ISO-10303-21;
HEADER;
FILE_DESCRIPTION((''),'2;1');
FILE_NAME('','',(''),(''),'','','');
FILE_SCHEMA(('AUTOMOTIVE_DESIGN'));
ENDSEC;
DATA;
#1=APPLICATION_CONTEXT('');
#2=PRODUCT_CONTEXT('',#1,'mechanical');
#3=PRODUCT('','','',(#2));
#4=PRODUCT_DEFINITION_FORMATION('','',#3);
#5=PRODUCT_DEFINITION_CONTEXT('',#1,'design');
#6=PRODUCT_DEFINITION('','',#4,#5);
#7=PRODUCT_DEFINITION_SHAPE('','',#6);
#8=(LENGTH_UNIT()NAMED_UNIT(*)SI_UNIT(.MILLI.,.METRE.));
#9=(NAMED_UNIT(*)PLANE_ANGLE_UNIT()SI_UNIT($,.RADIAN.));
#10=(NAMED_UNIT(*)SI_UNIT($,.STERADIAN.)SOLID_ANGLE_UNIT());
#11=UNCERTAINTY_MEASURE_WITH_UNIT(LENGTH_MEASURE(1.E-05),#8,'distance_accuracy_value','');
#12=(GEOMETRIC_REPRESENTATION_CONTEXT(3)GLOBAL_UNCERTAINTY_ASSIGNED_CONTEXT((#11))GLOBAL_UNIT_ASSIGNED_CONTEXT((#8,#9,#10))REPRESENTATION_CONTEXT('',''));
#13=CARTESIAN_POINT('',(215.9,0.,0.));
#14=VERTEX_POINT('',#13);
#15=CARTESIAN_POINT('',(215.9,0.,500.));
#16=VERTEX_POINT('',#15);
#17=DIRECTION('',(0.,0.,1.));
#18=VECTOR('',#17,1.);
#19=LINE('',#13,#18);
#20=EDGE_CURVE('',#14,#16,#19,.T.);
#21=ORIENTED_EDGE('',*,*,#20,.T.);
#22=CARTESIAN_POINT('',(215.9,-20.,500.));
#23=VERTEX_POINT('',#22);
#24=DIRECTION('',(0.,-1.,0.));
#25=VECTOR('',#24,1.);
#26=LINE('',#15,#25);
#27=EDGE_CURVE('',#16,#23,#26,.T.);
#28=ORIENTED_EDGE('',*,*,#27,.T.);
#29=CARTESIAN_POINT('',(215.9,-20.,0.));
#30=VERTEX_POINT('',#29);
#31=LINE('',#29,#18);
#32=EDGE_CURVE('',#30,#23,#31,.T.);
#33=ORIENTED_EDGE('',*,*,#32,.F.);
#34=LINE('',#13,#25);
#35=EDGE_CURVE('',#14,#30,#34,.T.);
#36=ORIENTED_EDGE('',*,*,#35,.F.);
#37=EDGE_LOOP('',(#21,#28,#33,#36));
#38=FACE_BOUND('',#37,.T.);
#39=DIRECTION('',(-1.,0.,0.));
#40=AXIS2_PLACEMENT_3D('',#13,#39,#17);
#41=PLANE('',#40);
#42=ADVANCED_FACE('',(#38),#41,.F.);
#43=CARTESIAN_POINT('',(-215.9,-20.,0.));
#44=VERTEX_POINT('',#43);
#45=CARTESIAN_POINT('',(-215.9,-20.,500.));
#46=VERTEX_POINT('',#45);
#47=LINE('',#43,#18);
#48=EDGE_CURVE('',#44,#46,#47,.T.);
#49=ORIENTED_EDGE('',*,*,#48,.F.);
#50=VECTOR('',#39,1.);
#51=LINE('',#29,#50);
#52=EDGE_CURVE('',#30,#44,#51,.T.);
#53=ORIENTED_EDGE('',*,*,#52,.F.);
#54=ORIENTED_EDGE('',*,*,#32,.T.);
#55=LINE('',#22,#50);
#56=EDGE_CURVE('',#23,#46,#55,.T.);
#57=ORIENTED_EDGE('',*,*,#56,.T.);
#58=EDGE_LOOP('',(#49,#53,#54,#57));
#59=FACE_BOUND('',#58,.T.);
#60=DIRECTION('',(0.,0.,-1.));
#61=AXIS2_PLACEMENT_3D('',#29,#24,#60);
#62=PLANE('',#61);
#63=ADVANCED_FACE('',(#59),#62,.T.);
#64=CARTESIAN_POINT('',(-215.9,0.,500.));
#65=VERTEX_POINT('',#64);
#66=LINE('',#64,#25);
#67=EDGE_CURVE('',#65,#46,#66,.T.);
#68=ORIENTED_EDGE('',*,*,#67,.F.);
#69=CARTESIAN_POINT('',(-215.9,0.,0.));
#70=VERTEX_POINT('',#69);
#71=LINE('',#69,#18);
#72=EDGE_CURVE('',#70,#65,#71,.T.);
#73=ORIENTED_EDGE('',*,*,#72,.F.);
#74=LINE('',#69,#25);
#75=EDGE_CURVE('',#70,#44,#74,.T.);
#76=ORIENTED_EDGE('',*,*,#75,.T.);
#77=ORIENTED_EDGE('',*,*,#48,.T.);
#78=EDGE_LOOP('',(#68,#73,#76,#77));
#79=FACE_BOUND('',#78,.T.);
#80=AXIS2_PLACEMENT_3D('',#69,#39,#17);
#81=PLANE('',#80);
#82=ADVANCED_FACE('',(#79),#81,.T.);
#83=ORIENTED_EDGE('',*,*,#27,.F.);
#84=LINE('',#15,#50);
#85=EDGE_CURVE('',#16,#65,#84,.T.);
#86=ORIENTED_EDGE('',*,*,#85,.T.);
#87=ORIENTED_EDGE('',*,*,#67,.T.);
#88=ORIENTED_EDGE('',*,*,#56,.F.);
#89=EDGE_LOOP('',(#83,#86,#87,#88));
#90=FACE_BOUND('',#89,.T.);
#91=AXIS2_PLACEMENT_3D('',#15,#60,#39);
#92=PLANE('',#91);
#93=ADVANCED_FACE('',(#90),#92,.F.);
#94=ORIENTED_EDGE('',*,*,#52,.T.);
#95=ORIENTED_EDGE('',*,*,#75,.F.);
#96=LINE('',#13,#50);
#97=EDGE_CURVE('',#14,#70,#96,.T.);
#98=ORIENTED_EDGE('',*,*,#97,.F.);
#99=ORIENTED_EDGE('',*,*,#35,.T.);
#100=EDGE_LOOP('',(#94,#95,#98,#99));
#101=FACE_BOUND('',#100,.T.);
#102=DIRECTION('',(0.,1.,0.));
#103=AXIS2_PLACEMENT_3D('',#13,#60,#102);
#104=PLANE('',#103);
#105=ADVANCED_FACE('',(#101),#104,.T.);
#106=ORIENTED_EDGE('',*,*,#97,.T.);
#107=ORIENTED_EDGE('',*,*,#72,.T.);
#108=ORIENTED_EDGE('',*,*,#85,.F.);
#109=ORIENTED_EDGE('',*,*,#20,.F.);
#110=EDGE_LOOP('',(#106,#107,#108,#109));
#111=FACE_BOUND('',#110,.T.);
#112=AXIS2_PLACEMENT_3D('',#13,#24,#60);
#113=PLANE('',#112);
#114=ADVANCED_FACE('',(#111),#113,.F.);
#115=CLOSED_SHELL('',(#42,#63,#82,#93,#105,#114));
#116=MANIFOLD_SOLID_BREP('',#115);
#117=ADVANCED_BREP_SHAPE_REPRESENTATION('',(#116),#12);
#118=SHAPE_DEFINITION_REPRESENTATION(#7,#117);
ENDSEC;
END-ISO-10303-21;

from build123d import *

# Parameters (mm, degrees)
SKETCH3_W           = 500
SKETCH3_H           = 20
BOSS_EXTRUDE3_DEPTH = 215.9


with BuildPart() as part:
    # Sketch3 → Boss-Extrude3 (new, symmetric)
    with BuildSketch(Plane(origin=(0, 0, 0), x_dir=(0, 0, -1), z_dir=(1, 0, 0))):
        with Locations((-250, -10)):
            Rectangle(SKETCH3_W, SKETCH3_H)
    extrude(amount=BOSS_EXTRUDE3_DEPTH, both=True)


solid = part.part
